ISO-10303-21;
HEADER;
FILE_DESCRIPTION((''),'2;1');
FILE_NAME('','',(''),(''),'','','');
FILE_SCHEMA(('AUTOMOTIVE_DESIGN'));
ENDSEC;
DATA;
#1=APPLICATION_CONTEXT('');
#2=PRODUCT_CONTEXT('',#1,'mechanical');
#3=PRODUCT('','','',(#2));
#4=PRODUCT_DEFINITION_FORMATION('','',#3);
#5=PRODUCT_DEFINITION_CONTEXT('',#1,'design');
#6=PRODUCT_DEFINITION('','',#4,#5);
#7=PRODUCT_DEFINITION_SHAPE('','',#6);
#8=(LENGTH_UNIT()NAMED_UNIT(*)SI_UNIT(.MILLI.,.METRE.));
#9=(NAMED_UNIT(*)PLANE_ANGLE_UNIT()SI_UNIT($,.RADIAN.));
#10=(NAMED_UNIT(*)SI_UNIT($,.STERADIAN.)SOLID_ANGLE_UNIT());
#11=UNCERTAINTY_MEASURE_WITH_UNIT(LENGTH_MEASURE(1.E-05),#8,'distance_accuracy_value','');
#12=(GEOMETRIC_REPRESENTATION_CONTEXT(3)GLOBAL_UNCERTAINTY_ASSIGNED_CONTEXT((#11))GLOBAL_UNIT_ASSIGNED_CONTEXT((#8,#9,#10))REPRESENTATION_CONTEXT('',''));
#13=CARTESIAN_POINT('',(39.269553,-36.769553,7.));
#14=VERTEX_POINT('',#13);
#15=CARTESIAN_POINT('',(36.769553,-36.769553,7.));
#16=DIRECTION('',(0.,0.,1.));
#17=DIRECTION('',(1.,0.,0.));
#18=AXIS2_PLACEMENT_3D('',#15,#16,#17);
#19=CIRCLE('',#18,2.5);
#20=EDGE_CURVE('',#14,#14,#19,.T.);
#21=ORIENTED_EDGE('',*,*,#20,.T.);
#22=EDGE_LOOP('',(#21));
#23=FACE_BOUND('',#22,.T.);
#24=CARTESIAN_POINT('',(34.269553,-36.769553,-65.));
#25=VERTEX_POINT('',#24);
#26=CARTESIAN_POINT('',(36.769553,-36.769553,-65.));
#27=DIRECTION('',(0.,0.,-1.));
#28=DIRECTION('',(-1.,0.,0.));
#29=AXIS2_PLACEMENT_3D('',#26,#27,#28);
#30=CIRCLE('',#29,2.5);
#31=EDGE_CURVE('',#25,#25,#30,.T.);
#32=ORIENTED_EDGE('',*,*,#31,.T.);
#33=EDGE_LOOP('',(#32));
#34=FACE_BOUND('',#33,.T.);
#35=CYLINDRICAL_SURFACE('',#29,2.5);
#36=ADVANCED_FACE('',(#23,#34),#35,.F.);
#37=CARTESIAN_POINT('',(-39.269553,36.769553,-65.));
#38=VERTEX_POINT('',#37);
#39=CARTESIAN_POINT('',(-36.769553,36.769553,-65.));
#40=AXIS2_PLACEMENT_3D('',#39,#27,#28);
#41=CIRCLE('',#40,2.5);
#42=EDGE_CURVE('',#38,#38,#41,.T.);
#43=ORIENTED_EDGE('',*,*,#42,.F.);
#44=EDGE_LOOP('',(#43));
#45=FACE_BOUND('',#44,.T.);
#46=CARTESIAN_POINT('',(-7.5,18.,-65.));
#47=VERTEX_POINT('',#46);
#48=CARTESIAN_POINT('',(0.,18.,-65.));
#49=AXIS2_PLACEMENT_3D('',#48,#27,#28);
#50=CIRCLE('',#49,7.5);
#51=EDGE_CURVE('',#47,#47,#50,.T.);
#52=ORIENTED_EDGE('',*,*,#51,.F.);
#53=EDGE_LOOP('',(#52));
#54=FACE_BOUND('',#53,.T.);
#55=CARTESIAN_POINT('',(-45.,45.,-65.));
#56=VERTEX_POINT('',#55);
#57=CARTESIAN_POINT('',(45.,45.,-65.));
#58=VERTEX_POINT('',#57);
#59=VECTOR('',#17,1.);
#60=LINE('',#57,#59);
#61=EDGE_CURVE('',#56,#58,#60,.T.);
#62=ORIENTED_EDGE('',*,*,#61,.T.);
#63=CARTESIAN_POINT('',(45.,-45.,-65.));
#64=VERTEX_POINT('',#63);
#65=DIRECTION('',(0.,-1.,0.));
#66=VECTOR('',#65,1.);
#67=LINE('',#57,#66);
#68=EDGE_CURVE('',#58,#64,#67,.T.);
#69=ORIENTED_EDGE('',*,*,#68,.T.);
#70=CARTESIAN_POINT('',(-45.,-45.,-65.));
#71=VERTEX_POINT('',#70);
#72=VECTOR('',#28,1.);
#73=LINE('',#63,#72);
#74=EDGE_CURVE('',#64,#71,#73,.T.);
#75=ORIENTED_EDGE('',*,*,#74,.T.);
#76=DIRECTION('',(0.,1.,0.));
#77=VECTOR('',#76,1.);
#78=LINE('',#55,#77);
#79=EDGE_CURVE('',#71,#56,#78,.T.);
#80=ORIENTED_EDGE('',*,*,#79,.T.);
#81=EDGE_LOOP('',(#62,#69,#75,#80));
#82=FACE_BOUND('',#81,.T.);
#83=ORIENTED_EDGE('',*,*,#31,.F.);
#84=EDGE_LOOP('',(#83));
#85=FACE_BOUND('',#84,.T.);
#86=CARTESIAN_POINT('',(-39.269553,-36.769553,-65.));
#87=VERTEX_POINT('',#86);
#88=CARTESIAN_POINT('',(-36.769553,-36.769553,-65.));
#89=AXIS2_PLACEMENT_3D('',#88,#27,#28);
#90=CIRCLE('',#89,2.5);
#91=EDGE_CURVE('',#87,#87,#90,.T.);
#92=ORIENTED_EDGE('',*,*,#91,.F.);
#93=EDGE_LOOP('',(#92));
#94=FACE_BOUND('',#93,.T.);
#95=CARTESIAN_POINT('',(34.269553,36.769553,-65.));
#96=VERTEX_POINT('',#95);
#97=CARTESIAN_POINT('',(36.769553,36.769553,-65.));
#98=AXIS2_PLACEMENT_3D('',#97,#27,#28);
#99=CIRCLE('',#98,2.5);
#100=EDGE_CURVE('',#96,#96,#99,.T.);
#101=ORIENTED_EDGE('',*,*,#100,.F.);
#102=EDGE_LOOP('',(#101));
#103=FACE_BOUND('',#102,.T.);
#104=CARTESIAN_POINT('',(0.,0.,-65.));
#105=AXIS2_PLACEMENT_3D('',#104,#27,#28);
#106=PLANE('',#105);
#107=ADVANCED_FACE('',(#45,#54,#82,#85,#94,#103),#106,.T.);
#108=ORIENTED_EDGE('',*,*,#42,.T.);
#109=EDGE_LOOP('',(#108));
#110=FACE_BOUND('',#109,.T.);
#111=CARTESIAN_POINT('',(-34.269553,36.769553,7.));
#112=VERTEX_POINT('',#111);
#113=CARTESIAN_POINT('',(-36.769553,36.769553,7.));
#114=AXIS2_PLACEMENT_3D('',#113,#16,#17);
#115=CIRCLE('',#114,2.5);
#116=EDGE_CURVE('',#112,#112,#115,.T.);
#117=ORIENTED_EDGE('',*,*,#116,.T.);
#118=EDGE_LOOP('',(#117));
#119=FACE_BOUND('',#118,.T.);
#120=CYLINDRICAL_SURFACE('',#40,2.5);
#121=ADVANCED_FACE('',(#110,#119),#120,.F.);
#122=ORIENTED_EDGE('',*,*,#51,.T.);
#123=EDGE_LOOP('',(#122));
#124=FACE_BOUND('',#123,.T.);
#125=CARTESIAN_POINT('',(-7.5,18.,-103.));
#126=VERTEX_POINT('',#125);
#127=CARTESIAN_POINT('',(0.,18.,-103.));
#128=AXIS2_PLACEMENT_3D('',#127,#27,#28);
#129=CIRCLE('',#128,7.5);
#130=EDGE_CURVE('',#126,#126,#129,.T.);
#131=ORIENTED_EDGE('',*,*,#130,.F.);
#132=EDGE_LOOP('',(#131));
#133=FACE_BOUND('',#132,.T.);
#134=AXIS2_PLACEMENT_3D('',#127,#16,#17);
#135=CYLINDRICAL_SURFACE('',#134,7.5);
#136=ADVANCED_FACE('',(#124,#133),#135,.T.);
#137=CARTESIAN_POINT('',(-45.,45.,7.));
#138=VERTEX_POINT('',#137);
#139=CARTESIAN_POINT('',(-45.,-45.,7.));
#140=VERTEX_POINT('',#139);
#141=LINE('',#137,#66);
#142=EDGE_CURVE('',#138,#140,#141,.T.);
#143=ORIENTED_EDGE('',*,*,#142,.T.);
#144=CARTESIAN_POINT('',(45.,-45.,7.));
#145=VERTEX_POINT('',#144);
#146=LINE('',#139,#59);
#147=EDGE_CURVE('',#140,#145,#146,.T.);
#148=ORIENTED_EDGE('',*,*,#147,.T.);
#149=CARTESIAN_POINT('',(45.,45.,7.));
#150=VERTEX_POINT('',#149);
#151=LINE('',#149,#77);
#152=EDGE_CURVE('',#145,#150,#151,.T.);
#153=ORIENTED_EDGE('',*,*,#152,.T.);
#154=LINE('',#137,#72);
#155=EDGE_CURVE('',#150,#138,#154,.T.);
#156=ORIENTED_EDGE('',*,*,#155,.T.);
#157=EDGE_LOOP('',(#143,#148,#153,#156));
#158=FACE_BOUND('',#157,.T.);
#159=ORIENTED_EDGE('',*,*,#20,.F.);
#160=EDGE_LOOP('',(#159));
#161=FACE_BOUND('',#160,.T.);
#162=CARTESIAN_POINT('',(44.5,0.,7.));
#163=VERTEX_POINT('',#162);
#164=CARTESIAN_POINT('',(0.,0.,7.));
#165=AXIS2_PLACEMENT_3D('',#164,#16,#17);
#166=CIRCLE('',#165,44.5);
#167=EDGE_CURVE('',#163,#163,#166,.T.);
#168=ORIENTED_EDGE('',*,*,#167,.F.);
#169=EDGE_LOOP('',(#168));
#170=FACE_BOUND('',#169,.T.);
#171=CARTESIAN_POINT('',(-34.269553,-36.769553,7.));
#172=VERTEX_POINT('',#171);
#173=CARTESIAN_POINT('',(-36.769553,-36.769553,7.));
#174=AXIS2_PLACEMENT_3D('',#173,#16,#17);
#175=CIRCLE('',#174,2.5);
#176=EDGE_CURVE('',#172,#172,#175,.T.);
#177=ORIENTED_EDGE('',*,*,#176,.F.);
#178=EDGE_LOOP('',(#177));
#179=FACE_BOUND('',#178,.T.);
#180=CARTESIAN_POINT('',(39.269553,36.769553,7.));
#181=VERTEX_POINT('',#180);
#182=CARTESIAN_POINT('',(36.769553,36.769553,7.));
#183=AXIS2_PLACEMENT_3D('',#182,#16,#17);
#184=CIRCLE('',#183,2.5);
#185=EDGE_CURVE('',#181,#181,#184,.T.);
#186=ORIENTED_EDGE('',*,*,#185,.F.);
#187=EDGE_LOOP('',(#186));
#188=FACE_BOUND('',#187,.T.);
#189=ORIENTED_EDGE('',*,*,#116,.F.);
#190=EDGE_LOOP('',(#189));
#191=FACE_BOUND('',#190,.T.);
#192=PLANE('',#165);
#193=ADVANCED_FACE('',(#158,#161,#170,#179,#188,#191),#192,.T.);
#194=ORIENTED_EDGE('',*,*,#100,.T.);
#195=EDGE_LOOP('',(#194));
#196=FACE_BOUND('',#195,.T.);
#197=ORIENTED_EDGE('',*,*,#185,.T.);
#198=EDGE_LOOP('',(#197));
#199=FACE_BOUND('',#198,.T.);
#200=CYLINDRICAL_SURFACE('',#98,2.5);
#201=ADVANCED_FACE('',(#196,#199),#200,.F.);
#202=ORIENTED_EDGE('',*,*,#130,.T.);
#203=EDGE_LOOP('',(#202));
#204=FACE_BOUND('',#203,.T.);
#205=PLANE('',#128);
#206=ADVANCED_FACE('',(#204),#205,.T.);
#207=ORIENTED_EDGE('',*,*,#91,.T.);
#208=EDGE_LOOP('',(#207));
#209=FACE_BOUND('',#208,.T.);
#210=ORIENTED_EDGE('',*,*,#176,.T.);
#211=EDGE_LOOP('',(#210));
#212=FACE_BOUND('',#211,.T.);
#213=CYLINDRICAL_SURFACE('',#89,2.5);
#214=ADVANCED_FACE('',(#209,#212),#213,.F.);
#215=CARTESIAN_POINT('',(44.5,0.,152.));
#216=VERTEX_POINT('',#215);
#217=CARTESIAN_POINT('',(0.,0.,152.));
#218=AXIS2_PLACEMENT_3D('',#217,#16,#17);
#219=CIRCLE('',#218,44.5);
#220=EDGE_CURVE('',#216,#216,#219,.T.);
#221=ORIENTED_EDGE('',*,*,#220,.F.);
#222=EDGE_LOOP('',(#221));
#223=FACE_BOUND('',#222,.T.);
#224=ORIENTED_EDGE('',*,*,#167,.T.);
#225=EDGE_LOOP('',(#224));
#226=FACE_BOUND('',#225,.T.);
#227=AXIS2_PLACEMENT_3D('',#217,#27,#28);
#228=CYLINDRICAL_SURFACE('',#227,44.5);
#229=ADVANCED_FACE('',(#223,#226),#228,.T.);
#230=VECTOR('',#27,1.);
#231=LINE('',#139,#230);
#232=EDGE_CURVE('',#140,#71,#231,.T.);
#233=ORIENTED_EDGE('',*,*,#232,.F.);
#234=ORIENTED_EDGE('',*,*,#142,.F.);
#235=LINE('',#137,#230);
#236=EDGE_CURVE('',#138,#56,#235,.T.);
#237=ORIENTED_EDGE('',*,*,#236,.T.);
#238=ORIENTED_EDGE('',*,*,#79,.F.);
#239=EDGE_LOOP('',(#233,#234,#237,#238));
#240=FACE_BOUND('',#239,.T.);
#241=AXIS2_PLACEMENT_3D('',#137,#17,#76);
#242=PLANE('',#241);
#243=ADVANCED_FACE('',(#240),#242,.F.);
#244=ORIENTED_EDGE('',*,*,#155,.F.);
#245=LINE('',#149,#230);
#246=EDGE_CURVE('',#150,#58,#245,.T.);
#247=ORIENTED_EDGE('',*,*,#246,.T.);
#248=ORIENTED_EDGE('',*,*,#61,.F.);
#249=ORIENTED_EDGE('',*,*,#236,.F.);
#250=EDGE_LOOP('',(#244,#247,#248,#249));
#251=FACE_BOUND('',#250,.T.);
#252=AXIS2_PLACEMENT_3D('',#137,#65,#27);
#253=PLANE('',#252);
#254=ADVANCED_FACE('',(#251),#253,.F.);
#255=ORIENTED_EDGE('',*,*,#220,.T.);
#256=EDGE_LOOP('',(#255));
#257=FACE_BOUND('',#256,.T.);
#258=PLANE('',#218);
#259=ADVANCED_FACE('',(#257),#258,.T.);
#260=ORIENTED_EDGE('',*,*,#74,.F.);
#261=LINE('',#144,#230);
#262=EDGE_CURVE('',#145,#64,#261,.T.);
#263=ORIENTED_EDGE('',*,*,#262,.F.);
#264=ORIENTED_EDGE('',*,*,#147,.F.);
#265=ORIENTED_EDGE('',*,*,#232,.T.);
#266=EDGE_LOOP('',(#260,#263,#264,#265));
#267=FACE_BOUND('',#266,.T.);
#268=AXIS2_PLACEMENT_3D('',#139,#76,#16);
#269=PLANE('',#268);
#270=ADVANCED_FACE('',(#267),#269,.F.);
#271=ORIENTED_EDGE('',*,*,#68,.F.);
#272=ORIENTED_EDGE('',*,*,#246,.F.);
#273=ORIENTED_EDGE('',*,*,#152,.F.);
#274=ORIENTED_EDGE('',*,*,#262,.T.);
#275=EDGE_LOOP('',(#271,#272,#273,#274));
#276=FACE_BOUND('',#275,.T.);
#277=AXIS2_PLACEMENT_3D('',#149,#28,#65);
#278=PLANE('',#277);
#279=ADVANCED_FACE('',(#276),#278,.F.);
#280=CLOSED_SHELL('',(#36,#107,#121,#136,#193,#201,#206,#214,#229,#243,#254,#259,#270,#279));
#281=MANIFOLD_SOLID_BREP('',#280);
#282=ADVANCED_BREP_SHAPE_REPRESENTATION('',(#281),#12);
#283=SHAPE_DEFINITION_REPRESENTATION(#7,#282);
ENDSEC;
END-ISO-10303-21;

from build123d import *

# Parameters (mm, degrees)
SKETCH_2_W         = 90
SKETCH_2_H         = 90
EXTRUDE_1_DEPTH    = 7
SKETCH_3_R         = 44.5
EXTRUDE_2_DEPTH    = 145
SKETCH_4_W         = 90
SKETCH_4_H         = 90
EXTRUDE_3_DEPTH    = 65
SKETCH_6_R         = 7.5
EXTRUDE_4_DEPTH    = 38
HOLE_WIZARD_M6_1_D = 5


with BuildPart() as part:
    # 草图2 → 凸台-拉伸1 (new body)
    with BuildSketch(Plane.XY):
        Rectangle(SKETCH_2_W, SKETCH_2_H)
    extrude(amount=EXTRUDE_1_DEPTH)

    # 草图3 → 凸台-拉伸2 (add)
    with BuildSketch(Plane.XY.offset(7)):
        Circle(SKETCH_3_R)
    extrude(amount=EXTRUDE_2_DEPTH)

    # 草图4 → 凸台-拉伸3 (add)
    with BuildSketch(Plane(origin=(0, 0, 0), x_dir=(-1, 0, 0), z_dir=(0, 0, -1))):
        Rectangle(SKETCH_4_W, SKETCH_4_H)
    extrude(amount=EXTRUDE_3_DEPTH)

    # 草图6 → 凸台-拉伸4 (add)
    with BuildSketch(Plane(origin=(0, 0, -65), x_dir=(-1, 0, 0), z_dir=(0, 0, -1))):
        with Locations((0, 18)):
            Circle(SKETCH_6_R)
    extrude(amount=EXTRUDE_4_DEPTH)

    # M6 螺纹孔1 (through all)
    with Locations(Plane(origin=(36.769552622, 36.769552622, -65), x_dir=(-1, 0, 0), z_dir=(0, 0, -1))):
        with Locations((0, 0), (73.539105244, 0), (73.539105244, -73.539105244), (0, -73.539105244)):
            Hole(HOLE_WIZARD_M6_1_D / 2)


solid = part.part
